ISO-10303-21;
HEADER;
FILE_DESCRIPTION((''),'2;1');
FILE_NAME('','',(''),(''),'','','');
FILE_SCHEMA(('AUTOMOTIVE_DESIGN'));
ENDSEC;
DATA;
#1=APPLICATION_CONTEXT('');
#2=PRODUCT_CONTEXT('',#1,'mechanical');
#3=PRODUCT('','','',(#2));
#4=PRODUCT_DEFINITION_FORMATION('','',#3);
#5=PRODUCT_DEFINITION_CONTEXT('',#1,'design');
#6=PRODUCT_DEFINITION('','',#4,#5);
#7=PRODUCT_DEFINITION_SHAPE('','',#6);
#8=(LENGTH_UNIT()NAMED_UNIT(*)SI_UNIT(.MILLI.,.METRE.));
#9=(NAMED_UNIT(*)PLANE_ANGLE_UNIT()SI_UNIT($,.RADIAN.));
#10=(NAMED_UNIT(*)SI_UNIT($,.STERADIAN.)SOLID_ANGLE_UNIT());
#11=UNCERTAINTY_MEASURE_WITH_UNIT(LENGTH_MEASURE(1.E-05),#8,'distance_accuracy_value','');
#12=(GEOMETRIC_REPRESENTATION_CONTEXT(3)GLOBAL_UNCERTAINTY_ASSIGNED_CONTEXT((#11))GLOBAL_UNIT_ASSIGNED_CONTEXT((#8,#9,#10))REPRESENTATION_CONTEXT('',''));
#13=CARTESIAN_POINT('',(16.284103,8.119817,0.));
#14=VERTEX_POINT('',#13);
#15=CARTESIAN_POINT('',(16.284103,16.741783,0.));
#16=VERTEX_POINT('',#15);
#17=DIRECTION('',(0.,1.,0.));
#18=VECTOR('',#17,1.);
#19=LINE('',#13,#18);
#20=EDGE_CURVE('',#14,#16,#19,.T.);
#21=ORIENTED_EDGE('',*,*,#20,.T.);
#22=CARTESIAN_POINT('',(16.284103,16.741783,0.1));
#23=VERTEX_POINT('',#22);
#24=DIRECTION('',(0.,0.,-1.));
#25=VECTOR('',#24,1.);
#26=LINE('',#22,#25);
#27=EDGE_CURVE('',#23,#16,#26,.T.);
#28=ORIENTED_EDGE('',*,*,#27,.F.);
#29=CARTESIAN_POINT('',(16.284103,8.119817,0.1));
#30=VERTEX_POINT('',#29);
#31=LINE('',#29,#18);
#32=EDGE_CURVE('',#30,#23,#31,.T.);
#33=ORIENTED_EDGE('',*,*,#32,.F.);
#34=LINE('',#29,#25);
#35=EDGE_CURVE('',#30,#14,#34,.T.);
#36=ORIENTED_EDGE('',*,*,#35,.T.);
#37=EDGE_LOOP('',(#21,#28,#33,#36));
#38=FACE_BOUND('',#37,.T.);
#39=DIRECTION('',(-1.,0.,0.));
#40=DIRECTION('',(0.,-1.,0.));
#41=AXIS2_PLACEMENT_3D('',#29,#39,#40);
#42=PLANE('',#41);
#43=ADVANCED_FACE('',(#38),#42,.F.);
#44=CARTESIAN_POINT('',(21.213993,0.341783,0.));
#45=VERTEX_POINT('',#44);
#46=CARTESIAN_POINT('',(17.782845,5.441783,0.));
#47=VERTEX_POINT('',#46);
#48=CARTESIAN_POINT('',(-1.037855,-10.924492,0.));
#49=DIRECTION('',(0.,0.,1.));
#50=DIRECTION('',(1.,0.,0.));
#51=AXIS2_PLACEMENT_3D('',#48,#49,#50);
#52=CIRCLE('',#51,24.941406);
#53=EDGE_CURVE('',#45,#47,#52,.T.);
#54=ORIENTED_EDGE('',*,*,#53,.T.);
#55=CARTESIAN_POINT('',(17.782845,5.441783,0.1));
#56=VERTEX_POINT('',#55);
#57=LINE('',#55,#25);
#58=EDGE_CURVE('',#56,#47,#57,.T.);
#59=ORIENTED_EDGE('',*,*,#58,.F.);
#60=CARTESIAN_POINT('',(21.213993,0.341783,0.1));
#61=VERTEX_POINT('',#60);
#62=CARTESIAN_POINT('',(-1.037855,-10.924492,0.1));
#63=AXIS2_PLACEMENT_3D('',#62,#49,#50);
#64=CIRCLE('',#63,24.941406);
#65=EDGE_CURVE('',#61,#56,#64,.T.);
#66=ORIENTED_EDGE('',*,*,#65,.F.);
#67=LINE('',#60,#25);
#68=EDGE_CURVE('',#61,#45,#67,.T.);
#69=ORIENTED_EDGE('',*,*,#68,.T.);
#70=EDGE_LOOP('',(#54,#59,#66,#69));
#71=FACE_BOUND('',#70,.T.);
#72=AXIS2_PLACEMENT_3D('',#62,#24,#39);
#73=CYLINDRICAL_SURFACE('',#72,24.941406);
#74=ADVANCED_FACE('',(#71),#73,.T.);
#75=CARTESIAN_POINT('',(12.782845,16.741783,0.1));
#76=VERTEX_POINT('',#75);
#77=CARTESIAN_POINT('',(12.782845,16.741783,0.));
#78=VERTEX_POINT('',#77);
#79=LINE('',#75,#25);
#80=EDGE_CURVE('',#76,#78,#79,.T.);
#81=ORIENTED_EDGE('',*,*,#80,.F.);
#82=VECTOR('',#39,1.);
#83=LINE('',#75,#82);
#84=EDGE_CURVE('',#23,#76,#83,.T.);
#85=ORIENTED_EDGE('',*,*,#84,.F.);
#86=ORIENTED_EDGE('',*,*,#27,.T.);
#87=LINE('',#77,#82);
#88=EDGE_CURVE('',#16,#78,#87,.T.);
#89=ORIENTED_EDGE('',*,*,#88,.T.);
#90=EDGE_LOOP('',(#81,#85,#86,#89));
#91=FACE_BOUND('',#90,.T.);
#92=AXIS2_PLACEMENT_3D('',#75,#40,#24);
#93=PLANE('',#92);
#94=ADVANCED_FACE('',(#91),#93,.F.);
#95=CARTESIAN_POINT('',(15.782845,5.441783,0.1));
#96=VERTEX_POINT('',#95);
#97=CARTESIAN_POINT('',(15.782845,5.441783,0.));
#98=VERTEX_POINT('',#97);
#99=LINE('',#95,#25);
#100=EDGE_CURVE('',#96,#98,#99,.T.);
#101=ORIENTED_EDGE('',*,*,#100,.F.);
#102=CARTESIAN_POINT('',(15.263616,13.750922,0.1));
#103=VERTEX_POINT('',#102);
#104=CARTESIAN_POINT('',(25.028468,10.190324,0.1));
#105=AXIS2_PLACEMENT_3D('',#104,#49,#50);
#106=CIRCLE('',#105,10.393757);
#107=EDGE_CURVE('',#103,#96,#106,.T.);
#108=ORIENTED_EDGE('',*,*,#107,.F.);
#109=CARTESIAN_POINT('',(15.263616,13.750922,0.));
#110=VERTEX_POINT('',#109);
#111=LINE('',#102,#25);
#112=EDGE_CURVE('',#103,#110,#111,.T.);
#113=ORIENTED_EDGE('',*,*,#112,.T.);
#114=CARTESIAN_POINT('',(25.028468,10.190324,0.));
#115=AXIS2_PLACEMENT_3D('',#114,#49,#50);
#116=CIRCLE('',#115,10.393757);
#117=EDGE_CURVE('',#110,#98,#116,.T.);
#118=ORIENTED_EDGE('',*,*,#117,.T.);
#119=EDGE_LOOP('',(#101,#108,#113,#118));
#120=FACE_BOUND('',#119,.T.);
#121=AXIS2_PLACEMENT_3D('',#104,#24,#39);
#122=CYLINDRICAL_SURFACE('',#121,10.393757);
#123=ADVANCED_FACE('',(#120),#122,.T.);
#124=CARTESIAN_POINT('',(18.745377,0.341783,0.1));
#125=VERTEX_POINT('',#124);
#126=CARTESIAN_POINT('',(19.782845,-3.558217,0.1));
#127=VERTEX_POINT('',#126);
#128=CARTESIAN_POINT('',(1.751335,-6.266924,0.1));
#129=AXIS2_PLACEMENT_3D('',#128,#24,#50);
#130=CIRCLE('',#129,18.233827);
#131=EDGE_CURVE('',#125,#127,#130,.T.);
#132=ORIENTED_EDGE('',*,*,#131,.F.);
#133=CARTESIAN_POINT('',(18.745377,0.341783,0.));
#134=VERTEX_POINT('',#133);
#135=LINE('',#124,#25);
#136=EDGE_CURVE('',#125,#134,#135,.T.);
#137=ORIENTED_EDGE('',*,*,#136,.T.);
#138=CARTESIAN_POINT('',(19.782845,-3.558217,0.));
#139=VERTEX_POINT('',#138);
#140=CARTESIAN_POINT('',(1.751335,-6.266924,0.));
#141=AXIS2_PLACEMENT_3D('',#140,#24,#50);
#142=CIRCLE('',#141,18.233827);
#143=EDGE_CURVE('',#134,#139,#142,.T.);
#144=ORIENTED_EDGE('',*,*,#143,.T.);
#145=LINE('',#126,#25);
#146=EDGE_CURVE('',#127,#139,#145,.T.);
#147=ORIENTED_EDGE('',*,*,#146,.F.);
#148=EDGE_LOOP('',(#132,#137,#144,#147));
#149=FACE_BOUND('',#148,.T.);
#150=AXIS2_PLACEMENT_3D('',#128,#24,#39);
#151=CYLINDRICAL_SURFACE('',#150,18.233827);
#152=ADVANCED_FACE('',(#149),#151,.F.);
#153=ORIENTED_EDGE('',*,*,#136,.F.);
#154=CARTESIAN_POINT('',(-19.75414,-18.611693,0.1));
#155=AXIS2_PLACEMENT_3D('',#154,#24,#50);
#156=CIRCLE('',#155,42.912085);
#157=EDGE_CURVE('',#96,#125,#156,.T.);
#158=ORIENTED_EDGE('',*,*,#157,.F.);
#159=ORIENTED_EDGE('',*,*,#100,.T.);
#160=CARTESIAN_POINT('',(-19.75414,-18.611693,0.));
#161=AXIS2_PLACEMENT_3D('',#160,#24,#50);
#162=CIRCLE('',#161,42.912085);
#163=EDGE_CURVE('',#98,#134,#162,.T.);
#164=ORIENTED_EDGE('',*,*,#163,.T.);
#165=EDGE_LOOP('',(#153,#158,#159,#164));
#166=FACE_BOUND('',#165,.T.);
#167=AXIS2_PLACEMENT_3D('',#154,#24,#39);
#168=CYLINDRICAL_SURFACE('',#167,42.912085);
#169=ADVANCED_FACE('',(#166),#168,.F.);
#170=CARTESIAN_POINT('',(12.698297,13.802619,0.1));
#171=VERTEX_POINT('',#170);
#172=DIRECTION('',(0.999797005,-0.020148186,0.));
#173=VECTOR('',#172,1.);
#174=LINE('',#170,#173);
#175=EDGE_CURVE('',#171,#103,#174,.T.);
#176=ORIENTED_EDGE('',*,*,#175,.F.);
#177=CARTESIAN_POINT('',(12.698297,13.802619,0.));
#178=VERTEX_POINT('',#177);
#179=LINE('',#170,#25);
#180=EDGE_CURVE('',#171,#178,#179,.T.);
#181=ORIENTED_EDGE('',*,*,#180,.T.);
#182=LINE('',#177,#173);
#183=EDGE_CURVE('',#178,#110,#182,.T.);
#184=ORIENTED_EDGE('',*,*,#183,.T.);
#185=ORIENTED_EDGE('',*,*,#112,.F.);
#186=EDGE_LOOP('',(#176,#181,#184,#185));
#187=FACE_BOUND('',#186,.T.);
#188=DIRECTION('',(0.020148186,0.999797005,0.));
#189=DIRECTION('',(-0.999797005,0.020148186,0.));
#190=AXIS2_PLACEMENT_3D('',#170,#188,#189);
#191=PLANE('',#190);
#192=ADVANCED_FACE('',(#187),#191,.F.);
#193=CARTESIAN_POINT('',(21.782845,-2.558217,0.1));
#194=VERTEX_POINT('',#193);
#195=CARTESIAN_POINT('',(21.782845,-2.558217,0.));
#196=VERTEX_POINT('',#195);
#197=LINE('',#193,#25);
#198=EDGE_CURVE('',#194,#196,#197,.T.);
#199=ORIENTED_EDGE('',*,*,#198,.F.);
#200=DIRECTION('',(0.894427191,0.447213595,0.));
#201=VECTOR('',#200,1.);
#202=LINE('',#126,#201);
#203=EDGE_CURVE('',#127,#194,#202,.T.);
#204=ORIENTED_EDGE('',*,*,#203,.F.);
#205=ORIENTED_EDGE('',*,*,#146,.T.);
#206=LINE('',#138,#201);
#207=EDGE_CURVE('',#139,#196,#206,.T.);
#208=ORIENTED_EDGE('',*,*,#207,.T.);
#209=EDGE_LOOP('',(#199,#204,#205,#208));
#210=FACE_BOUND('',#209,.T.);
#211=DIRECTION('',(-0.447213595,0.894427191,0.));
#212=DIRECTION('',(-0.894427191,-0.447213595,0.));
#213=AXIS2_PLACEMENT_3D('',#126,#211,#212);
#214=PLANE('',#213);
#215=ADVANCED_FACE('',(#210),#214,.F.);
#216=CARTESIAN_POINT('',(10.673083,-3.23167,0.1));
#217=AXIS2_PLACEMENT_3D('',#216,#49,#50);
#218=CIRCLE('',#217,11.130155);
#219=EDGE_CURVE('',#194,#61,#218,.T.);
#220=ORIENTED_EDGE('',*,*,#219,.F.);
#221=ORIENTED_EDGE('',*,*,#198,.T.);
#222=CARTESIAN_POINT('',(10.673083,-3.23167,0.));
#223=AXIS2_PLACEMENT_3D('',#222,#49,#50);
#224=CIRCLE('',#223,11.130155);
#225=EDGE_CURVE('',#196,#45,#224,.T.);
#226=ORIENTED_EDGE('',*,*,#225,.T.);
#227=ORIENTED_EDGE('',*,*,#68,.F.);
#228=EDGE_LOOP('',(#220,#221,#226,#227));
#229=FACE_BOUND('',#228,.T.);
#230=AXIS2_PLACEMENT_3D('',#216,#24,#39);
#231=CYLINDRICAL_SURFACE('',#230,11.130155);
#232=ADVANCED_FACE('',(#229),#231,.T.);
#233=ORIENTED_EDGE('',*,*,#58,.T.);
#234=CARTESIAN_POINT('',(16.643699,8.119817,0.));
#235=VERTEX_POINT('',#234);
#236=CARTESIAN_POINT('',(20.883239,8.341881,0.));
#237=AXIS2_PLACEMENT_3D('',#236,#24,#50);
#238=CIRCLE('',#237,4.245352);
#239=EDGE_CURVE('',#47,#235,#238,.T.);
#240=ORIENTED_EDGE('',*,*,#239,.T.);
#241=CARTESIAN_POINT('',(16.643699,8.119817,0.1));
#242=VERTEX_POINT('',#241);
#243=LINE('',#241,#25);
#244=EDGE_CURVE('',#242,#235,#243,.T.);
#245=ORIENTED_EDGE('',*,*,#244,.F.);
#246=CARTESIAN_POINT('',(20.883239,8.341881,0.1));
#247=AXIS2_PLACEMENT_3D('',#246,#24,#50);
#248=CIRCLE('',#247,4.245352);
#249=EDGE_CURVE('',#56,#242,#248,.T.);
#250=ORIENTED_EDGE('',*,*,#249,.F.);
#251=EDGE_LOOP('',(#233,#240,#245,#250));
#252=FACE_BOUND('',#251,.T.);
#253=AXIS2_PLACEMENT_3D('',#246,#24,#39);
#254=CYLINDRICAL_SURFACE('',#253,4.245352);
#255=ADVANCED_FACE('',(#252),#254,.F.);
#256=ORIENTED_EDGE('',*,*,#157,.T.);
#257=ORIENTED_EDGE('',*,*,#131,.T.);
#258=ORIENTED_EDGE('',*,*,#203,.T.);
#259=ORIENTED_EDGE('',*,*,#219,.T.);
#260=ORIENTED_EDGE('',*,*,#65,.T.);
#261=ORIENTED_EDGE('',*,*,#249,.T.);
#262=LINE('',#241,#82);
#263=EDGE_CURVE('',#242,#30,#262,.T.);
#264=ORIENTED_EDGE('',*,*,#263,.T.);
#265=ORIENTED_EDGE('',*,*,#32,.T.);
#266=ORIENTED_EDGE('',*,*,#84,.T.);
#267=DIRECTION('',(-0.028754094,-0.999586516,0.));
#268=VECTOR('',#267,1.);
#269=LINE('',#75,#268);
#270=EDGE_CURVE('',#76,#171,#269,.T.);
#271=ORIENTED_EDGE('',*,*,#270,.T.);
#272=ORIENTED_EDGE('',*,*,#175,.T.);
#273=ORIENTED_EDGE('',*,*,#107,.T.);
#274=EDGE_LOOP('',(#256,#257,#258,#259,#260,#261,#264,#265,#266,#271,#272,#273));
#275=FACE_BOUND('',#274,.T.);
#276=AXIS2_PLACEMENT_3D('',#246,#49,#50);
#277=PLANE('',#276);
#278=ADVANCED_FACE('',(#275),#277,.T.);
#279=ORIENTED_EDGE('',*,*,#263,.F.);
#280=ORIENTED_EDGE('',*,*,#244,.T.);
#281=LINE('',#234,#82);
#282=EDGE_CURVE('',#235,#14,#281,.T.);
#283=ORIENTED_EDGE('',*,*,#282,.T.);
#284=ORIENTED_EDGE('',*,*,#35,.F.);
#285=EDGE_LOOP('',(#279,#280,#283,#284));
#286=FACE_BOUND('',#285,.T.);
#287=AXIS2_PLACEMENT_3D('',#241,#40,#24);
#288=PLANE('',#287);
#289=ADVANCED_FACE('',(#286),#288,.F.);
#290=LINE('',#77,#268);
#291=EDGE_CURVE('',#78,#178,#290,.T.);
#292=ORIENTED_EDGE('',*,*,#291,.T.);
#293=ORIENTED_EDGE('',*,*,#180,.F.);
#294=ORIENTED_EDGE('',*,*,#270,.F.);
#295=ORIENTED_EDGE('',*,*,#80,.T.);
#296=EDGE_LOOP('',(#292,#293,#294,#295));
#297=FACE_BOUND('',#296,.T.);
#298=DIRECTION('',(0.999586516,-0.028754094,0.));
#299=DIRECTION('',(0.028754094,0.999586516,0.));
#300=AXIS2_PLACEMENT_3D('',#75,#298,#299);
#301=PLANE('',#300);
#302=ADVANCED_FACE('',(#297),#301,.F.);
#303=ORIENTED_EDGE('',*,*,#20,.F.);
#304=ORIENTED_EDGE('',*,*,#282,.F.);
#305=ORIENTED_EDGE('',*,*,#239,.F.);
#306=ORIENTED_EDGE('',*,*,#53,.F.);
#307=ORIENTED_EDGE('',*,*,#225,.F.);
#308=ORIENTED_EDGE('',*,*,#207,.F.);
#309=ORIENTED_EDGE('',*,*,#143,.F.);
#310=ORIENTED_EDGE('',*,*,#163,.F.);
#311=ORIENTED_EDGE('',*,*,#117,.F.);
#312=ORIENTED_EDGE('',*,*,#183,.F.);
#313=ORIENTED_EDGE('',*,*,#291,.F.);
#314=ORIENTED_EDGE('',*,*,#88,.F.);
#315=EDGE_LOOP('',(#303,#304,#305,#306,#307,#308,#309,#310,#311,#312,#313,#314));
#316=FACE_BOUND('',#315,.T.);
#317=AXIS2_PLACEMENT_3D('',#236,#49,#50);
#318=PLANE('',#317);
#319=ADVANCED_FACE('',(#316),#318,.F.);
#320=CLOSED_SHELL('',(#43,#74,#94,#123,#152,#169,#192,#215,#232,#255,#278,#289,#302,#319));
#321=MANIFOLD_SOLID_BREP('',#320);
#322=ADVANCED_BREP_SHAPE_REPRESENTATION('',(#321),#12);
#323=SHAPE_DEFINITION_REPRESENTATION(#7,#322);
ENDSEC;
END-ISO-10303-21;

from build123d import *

# Parameters (mm, degrees)
SALIENTE_EXTRUIR1_DEPTH = 0.1


with BuildPart() as part:
    # Model → Saliente-Extruir1 (new body)
    with BuildSketch(Plane.XY):
        with BuildLine():
            Line((12.698297287, 13.802618595), (15.263616387, 13.750921574))
            ThreePointArc((15.263616387, 13.750921574), (14.654945019, 9.542094065), (15.782845256, 5.441782991))
            ThreePointArc((15.782845256, 5.441782991), (17.35183527, 2.94274106), (18.745376573, 0.341782991))
            ThreePointArc((18.745376573, 0.341782991), (19.372340085, -1.579426143), (19.782845256, -3.558217009))
            Line((19.782845256, -3.558217009), (21.782845256, -2.558217009))
            ThreePointArc((21.782845256, -2.558217009), (21.595097776, -1.089252971), (21.213993411, 0.341782991))
            ThreePointArc((21.213993411, 0.341782991), (19.656131166, 2.997887435), (17.782845256, 5.441782991))
            ThreePointArc((17.782845256, 5.441782991), (16.97662621, 6.680138732), (16.643698969, 8.119817009))
            Line((16.643698969, 8.119817009), (16.284102713, 8.119817009))
            Line((16.284102713, 8.119817009), (16.284102713, 16.741782991))
            Line((16.284102713, 16.741782991), (12.782845256, 16.741782991))
            Line((12.782845256, 16.741782991), (12.698297287, 13.802618595))
        make_face()
    extrude(amount=SALIENTE_EXTRUIR1_DEPTH)


solid = part.part
